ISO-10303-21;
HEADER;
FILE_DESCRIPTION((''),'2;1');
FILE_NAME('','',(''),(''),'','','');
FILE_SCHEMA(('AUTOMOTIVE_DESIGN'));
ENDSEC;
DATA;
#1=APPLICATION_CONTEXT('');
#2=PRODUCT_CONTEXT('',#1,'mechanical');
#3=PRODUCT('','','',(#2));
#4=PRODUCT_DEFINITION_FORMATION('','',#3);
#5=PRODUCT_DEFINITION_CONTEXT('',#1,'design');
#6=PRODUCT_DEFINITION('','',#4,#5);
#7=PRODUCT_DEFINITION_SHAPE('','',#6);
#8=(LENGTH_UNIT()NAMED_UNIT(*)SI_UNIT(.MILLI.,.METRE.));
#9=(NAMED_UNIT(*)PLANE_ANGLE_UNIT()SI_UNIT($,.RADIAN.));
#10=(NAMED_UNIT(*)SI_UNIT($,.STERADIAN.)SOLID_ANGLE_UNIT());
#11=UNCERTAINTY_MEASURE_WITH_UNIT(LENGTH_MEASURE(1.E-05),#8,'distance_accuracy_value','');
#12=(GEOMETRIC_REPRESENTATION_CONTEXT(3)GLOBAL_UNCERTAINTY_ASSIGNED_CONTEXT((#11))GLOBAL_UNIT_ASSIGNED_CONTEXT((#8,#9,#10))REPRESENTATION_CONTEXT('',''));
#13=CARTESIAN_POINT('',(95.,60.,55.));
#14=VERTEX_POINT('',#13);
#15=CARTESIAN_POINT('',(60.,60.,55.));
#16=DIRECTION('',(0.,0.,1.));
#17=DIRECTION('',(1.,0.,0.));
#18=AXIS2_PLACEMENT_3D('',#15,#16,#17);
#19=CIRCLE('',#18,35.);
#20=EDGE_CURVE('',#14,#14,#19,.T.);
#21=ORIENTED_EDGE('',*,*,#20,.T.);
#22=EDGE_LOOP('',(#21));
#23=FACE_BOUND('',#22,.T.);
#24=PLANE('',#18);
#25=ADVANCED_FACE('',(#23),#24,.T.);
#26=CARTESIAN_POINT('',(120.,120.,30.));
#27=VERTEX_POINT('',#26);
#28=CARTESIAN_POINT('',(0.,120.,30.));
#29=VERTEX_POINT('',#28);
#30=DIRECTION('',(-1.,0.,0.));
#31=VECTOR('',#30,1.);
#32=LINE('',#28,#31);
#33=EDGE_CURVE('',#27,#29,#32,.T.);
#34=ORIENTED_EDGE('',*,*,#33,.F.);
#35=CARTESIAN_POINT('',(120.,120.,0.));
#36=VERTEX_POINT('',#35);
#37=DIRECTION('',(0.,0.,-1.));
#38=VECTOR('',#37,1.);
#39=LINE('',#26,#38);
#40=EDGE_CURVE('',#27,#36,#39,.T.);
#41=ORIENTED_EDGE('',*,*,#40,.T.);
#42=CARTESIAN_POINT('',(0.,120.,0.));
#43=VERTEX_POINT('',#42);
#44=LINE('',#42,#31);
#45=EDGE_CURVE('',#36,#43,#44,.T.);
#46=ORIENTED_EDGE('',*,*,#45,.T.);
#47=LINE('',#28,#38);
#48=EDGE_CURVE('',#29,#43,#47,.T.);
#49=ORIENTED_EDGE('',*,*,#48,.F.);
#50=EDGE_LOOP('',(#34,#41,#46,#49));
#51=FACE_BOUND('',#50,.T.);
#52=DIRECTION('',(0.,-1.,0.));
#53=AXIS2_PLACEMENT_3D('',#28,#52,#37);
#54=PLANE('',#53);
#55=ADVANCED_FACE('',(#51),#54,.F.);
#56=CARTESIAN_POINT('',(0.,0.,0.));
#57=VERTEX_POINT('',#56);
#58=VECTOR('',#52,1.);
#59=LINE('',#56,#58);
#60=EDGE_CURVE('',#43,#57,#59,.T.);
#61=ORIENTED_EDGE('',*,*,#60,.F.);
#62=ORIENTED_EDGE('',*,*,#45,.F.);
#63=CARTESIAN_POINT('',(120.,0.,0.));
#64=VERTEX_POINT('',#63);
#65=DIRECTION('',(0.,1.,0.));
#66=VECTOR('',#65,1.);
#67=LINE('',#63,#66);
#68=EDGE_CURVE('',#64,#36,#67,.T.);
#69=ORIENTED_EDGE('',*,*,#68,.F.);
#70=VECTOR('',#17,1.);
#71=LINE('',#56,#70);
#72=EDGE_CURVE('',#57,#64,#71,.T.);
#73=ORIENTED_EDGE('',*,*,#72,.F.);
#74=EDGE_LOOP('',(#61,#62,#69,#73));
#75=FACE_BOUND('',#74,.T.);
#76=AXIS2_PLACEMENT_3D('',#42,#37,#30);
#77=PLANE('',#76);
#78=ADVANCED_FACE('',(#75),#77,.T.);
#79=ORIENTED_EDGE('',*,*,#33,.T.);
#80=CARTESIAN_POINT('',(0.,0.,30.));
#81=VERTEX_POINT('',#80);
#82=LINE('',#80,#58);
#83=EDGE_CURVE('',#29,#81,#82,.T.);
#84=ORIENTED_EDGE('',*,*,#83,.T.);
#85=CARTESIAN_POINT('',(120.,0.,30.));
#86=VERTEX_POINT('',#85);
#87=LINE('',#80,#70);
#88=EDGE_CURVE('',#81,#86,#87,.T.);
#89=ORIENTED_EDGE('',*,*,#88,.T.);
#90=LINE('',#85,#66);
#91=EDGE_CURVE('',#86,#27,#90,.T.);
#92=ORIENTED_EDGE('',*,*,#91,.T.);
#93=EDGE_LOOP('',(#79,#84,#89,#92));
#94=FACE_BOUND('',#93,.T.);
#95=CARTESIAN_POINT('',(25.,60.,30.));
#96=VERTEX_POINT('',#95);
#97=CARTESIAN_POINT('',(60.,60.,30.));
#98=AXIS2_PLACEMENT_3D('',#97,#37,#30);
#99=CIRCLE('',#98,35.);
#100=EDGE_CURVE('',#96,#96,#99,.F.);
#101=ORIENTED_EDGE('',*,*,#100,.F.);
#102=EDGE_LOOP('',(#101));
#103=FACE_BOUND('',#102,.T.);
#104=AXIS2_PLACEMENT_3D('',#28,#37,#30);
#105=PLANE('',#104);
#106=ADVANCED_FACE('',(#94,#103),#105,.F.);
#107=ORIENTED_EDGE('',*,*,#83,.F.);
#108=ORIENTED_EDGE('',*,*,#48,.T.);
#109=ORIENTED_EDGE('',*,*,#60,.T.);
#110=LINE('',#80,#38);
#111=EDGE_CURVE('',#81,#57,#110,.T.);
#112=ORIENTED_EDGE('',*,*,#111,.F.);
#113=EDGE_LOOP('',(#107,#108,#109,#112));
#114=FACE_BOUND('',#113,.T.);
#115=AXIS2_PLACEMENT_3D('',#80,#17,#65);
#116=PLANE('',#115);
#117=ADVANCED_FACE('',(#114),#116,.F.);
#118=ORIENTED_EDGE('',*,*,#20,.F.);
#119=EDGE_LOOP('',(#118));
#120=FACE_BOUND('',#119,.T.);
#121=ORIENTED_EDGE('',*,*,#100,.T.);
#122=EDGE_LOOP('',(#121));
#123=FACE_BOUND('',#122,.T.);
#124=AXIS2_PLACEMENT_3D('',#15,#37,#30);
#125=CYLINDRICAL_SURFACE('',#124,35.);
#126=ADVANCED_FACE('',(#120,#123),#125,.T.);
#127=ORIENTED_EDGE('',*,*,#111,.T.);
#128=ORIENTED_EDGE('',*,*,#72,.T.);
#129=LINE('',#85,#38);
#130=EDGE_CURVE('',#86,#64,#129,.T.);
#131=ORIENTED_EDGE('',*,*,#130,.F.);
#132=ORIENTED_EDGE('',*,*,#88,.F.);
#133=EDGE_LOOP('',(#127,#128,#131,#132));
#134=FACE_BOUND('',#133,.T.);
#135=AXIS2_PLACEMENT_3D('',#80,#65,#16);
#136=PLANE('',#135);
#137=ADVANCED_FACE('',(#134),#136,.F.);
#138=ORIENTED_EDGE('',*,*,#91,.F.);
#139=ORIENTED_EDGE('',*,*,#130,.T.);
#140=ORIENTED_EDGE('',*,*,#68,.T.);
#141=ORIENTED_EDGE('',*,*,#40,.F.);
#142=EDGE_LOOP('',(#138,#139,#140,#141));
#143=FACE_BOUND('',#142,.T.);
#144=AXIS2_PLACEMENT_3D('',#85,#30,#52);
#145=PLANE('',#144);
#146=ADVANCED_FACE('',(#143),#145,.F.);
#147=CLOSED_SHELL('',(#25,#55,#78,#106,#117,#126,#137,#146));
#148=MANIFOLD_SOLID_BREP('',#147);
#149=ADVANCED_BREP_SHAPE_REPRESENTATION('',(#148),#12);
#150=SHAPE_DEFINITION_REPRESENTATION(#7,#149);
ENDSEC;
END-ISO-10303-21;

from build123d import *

# Parameters (mm, degrees)
SKETCH1_W           = 120
SKETCH1_H           = 120
BOSS_EXTRUDE1_DEPTH = 30
SKETCH2_R           = 35
BOSS_EXTRUDE2_DEPTH = 25


with BuildPart() as part:
    # Sketch1 → Boss-Extrude1 (new body)
    with BuildSketch(Plane.XY):
        with Locations((60, 60)):
            Rectangle(SKETCH1_W, SKETCH1_H)
    extrude(amount=BOSS_EXTRUDE1_DEPTH)

    # Sketch2 → Boss-Extrude2 (add)
    with BuildSketch(Plane.XY.offset(30)):
        with Locations(Location((60, 60, 0), (0, 0, 180))):
            Circle(SKETCH2_R)
    extrude(amount=BOSS_EXTRUDE2_DEPTH)


solid = part.part
